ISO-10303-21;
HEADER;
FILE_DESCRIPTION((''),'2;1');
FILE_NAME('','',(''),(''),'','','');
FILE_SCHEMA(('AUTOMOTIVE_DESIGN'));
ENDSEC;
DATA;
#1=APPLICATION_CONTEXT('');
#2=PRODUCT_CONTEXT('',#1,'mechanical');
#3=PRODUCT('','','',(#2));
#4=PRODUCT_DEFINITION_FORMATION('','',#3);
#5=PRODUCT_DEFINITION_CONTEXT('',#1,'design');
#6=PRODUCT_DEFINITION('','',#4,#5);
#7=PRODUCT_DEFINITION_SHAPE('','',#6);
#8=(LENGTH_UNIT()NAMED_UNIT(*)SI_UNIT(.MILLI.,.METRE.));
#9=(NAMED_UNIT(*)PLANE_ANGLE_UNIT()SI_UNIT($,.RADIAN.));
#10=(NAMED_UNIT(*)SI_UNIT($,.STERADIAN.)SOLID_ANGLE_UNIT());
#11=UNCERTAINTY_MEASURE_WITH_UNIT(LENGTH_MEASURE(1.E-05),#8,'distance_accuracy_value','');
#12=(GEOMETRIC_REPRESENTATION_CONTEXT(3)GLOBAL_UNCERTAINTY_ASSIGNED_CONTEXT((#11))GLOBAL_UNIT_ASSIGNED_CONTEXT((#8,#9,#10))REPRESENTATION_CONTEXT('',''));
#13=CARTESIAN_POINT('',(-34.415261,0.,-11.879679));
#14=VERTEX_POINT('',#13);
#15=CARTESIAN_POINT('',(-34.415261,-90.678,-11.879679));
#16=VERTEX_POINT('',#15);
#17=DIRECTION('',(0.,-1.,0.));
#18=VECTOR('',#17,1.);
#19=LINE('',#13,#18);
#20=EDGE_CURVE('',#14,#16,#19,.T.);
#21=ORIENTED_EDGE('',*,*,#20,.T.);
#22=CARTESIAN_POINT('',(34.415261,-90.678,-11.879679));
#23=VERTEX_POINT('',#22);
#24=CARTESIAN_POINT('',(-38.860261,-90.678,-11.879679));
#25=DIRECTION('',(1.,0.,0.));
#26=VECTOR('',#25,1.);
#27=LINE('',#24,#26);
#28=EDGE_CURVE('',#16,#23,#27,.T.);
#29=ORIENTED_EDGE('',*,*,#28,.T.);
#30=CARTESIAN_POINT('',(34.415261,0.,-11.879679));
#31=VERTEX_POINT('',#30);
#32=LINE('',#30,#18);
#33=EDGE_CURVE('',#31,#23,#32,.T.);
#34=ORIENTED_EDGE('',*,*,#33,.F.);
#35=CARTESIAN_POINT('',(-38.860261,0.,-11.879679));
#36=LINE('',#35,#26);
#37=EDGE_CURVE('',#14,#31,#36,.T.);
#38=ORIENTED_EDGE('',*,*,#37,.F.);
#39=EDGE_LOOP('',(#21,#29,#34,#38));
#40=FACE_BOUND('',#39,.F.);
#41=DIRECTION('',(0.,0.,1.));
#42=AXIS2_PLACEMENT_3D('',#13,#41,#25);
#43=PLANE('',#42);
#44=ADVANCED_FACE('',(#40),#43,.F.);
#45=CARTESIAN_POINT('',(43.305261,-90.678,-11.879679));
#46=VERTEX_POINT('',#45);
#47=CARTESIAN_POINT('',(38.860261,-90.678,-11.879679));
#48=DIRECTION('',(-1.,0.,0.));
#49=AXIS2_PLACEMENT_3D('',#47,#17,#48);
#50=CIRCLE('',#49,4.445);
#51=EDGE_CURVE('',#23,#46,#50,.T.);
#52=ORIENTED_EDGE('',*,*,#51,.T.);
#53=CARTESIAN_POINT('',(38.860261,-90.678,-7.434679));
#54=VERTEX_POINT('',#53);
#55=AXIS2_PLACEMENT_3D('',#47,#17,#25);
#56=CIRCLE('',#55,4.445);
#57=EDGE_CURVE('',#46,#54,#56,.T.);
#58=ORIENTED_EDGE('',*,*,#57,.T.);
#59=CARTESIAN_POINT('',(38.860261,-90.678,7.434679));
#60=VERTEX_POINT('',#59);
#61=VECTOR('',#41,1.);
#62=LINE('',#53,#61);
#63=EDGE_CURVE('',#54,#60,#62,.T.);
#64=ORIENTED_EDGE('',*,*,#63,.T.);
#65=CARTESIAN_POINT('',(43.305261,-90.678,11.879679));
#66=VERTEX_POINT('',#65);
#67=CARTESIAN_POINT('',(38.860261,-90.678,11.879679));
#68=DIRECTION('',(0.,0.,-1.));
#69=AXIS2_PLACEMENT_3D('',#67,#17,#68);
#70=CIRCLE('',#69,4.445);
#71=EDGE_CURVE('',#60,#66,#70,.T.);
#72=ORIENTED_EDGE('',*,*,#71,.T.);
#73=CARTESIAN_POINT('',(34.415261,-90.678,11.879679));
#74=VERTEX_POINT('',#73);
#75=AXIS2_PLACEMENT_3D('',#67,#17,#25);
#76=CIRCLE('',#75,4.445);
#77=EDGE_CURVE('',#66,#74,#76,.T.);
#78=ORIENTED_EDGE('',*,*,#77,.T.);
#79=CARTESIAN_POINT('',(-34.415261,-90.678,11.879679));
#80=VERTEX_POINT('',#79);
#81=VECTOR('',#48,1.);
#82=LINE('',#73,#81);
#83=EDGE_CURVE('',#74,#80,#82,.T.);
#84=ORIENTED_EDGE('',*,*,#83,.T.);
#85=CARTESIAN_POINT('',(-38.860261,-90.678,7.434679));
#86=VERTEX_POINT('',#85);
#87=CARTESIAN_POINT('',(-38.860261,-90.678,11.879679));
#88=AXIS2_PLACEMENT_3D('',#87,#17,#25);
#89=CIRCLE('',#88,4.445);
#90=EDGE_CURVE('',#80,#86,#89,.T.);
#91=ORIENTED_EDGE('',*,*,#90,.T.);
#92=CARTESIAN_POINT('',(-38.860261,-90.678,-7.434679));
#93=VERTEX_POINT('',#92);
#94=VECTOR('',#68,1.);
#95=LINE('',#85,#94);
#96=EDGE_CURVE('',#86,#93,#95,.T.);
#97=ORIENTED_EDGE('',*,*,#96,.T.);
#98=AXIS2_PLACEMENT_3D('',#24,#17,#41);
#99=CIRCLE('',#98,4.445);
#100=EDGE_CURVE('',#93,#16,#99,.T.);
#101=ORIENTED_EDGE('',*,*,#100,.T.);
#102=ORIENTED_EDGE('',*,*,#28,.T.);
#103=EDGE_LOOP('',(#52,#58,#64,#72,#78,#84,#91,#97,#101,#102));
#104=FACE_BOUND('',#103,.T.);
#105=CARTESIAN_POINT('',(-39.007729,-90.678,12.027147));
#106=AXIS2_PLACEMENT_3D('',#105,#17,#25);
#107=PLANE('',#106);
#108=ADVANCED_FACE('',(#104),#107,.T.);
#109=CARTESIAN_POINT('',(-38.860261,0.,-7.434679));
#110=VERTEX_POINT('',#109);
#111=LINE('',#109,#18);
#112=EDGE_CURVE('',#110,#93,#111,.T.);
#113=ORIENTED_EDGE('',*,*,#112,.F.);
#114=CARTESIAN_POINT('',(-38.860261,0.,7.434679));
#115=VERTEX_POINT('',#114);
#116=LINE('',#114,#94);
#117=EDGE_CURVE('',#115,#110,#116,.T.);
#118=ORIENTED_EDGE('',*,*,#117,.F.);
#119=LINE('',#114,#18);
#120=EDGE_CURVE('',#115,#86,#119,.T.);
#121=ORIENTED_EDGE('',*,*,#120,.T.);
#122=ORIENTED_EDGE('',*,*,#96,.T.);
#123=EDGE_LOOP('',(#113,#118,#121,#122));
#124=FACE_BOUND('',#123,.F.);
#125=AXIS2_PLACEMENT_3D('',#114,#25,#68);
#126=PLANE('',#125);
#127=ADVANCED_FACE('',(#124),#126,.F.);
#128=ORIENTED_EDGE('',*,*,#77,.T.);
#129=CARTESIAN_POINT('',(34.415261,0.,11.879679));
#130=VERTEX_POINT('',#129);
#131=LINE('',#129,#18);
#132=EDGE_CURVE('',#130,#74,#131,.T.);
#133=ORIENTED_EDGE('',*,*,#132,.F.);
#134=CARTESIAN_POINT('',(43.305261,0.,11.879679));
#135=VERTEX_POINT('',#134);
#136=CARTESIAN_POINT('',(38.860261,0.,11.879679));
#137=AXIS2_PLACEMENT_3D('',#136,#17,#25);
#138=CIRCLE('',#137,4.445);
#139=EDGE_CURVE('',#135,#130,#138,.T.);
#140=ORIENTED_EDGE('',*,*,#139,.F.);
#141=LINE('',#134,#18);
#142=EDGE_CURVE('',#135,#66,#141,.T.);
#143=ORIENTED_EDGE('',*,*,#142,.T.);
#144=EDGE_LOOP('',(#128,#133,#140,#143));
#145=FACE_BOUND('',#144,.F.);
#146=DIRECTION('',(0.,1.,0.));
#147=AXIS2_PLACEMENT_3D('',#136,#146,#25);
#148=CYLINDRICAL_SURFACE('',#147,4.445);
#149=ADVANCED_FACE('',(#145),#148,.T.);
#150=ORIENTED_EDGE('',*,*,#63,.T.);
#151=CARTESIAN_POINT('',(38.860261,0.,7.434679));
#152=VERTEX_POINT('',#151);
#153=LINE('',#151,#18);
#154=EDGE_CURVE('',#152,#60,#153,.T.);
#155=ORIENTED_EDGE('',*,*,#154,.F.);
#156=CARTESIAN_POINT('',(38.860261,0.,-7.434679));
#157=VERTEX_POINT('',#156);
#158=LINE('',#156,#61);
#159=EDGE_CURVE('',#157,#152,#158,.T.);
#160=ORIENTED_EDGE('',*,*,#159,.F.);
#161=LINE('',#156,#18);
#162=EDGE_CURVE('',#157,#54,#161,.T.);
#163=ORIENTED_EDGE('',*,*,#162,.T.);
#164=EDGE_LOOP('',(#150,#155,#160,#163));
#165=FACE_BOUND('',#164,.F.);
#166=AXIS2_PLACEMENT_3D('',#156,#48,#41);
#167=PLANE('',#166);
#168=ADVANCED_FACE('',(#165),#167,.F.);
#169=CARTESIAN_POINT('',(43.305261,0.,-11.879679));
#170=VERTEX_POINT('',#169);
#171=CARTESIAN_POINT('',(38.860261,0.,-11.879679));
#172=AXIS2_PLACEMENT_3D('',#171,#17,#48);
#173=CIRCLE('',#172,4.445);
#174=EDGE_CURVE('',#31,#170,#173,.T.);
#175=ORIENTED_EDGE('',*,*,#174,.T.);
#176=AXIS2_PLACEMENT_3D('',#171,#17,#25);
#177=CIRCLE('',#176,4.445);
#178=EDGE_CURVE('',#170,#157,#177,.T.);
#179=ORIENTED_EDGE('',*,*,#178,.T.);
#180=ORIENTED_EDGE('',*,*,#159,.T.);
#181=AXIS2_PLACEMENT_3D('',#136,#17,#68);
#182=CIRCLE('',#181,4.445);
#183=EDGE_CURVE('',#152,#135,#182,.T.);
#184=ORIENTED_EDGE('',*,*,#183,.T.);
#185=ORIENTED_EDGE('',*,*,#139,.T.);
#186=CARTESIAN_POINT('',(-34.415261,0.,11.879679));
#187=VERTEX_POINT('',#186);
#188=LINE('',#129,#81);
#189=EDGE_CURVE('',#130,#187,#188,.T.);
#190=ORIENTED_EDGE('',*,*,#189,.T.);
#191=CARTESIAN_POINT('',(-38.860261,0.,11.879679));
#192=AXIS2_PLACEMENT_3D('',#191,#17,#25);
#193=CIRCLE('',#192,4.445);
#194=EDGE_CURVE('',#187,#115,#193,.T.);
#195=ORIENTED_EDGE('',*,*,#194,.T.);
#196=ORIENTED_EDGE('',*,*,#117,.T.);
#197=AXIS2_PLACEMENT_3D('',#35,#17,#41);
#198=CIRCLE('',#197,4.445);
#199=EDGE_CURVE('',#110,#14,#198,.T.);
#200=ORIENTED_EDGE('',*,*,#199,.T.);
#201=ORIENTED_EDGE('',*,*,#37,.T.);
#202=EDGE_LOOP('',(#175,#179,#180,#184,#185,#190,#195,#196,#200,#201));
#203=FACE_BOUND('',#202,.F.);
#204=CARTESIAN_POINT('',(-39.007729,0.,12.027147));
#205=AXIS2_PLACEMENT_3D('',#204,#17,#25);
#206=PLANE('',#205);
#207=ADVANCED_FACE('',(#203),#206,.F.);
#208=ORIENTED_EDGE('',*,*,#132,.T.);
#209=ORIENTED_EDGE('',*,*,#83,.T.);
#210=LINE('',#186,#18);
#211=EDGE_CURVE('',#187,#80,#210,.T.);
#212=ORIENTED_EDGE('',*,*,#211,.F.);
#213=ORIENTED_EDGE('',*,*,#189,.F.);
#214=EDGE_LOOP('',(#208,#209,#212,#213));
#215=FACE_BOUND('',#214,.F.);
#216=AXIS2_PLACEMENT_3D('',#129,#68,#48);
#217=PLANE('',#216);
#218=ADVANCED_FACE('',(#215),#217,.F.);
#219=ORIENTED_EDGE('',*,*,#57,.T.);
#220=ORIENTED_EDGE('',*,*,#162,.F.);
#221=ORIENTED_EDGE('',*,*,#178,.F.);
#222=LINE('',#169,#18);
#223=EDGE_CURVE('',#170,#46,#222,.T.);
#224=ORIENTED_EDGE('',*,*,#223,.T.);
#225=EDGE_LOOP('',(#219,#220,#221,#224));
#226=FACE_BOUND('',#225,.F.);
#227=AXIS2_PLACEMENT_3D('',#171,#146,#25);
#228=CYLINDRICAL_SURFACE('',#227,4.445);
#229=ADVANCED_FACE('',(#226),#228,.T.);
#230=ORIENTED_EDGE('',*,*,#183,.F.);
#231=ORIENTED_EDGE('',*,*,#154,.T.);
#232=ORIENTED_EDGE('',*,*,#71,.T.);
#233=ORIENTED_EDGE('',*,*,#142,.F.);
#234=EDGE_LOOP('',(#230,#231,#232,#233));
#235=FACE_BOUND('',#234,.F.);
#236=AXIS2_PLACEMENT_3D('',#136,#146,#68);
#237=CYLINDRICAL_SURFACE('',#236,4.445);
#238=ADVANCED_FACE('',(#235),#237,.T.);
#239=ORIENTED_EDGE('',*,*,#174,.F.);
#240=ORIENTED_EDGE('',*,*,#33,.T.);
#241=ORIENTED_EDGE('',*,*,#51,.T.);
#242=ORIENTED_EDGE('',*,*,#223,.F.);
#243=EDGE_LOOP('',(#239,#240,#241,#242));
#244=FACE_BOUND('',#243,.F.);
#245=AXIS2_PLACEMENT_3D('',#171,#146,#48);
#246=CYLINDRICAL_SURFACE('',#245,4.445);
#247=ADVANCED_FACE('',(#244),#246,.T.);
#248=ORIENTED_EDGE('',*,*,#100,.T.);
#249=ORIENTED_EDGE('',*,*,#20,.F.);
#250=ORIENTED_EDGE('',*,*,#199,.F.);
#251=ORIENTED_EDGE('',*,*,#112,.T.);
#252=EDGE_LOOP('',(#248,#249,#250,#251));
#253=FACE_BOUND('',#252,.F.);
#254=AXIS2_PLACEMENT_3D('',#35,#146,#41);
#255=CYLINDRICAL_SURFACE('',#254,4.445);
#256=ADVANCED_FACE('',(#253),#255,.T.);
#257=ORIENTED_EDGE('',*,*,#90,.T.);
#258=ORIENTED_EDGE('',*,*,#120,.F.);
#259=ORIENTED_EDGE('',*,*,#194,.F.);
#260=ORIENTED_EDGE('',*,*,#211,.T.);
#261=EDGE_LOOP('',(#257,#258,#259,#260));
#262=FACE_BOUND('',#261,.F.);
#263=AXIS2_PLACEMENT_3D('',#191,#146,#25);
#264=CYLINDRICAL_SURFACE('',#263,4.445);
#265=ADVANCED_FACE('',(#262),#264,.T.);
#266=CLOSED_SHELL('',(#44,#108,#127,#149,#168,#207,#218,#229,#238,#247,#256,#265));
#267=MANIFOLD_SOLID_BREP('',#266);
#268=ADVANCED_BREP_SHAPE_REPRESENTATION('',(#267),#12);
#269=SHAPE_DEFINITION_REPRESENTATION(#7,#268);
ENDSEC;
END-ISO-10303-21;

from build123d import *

# Parameters (mm, degrees)
F1_DEPTH = 90.678


with BuildPart() as f1:
    # F0 (on Front) → F1 (new body)
    with BuildSketch(Plane.XZ):
        with BuildLine():
            Line((-38.8602614403, 7.4346788156), (-38.8602614403, 11.8796788156))
            Line((-38.8602614403, 11.8796788156), (-34.4152614403, 11.8796788156))
            ThreePointArc((-34.4152614403, 11.8796788156), (-42.0033510827, 15.022768458), (-38.8602614403, 7.4346788156))
        make_face()
        with BuildLine():
            Line((-34.4152614403, 11.8796788156), (-38.8602614403, 11.8796788156))
            Line((-38.8602614403, 11.8796788156), (-38.8602614403, 7.4346788156))
            ThreePointArc((-38.8602614403, 7.4346788156), (-35.7171717979, 8.7365891732), (-34.4152614403, 11.8796788156))
        make_face()
        with BuildLine():
            Line((34.4152614403, 11.8796788156), (-34.4152614403, 11.8796788156))
            ThreePointArc((-34.4152614403, 11.8796788156), (-35.7171717979, 8.7365891732), (-38.8602614403, 7.4346788156))
            Line((-38.8602614403, 7.4346788156), (-38.8602614403, -7.4346788156))
            ThreePointArc((-38.8602614403, -7.4346788156), (-35.7171717979, -8.7365891732), (-34.4152614403, -11.8796788156))
            Line((-34.4152614403, -11.8796788156), (34.4152614403, -11.8796788156))
            ThreePointArc((34.4152614403, -11.8796788156), (35.7171717979, -8.7365891732), (38.8602614403, -7.4346788156))
            Line((38.8602614403, -7.4346788156), (38.8602614403, 7.4346788156))
            ThreePointArc((38.8602614403, 7.4346788156), (35.7171717979, 8.7365891732), (34.4152614403, 11.8796788156))
        make_face()
        with BuildLine():
            ThreePointArc((43.3052614403, 11.8796788156), (38.8602614403, 16.3246788156), (34.4152614403, 11.8796788156))
            Line((34.4152614403, 11.8796788156), (38.8602614403, 11.8796788156))
            Line((38.8602614403, 11.8796788156), (38.8602614403, 7.4346788156))
            ThreePointArc((38.8602614403, 7.4346788156), (42.0033510827, 8.7365891732), (43.3052614403, 11.8796788156))
        make_face()
        with BuildLine():
            Line((38.8602614403, 11.8796788156), (34.4152614403, 11.8796788156))
            ThreePointArc((34.4152614403, 11.8796788156), (35.7171717979, 8.7365891732), (38.8602614403, 7.4346788156))
            Line((38.8602614403, 7.4346788156), (38.8602614403, 11.8796788156))
        make_face()
        with BuildLine():
            ThreePointArc((-34.4152614403, -11.8796788156), (-35.7171717979, -8.7365891732), (-38.8602614403, -7.4346788156))
            Line((-38.8602614403, -7.4346788156), (-38.8602614403, -11.8796788156))
            Line((-38.8602614403, -11.8796788156), (-34.4152614403, -11.8796788156))
        make_face()
        with BuildLine():
            Line((-38.8602614403, -11.8796788156), (-38.8602614403, -7.4346788156))
            ThreePointArc((-38.8602614403, -7.4346788156), (-42.0033510827, -15.022768458), (-34.4152614403, -11.8796788156))
            Line((-34.4152614403, -11.8796788156), (-38.8602614403, -11.8796788156))
        make_face()
        with BuildLine():
            ThreePointArc((43.3052614403, -11.8796788156), (42.0033510827, -8.7365891732), (38.8602614403, -7.4346788156))
            Line((38.8602614403, -7.4346788156), (38.8602614403, -11.8796788156))
            Line((38.8602614403, -11.8796788156), (34.4152614403, -11.8796788156))
            ThreePointArc((34.4152614403, -11.8796788156), (38.8602614403, -16.3246788156), (43.3052614403, -11.8796788156))
        make_face()
        with BuildLine():
            Line((38.8602614403, -11.8796788156), (38.8602614403, -7.4346788156))
            ThreePointArc((38.8602614403, -7.4346788156), (35.7171717979, -8.7365891732), (34.4152614403, -11.8796788156))
            Line((34.4152614403, -11.8796788156), (38.8602614403, -11.8796788156))
        make_face()
    extrude(amount=F1_DEPTH)


solid = f1.part
